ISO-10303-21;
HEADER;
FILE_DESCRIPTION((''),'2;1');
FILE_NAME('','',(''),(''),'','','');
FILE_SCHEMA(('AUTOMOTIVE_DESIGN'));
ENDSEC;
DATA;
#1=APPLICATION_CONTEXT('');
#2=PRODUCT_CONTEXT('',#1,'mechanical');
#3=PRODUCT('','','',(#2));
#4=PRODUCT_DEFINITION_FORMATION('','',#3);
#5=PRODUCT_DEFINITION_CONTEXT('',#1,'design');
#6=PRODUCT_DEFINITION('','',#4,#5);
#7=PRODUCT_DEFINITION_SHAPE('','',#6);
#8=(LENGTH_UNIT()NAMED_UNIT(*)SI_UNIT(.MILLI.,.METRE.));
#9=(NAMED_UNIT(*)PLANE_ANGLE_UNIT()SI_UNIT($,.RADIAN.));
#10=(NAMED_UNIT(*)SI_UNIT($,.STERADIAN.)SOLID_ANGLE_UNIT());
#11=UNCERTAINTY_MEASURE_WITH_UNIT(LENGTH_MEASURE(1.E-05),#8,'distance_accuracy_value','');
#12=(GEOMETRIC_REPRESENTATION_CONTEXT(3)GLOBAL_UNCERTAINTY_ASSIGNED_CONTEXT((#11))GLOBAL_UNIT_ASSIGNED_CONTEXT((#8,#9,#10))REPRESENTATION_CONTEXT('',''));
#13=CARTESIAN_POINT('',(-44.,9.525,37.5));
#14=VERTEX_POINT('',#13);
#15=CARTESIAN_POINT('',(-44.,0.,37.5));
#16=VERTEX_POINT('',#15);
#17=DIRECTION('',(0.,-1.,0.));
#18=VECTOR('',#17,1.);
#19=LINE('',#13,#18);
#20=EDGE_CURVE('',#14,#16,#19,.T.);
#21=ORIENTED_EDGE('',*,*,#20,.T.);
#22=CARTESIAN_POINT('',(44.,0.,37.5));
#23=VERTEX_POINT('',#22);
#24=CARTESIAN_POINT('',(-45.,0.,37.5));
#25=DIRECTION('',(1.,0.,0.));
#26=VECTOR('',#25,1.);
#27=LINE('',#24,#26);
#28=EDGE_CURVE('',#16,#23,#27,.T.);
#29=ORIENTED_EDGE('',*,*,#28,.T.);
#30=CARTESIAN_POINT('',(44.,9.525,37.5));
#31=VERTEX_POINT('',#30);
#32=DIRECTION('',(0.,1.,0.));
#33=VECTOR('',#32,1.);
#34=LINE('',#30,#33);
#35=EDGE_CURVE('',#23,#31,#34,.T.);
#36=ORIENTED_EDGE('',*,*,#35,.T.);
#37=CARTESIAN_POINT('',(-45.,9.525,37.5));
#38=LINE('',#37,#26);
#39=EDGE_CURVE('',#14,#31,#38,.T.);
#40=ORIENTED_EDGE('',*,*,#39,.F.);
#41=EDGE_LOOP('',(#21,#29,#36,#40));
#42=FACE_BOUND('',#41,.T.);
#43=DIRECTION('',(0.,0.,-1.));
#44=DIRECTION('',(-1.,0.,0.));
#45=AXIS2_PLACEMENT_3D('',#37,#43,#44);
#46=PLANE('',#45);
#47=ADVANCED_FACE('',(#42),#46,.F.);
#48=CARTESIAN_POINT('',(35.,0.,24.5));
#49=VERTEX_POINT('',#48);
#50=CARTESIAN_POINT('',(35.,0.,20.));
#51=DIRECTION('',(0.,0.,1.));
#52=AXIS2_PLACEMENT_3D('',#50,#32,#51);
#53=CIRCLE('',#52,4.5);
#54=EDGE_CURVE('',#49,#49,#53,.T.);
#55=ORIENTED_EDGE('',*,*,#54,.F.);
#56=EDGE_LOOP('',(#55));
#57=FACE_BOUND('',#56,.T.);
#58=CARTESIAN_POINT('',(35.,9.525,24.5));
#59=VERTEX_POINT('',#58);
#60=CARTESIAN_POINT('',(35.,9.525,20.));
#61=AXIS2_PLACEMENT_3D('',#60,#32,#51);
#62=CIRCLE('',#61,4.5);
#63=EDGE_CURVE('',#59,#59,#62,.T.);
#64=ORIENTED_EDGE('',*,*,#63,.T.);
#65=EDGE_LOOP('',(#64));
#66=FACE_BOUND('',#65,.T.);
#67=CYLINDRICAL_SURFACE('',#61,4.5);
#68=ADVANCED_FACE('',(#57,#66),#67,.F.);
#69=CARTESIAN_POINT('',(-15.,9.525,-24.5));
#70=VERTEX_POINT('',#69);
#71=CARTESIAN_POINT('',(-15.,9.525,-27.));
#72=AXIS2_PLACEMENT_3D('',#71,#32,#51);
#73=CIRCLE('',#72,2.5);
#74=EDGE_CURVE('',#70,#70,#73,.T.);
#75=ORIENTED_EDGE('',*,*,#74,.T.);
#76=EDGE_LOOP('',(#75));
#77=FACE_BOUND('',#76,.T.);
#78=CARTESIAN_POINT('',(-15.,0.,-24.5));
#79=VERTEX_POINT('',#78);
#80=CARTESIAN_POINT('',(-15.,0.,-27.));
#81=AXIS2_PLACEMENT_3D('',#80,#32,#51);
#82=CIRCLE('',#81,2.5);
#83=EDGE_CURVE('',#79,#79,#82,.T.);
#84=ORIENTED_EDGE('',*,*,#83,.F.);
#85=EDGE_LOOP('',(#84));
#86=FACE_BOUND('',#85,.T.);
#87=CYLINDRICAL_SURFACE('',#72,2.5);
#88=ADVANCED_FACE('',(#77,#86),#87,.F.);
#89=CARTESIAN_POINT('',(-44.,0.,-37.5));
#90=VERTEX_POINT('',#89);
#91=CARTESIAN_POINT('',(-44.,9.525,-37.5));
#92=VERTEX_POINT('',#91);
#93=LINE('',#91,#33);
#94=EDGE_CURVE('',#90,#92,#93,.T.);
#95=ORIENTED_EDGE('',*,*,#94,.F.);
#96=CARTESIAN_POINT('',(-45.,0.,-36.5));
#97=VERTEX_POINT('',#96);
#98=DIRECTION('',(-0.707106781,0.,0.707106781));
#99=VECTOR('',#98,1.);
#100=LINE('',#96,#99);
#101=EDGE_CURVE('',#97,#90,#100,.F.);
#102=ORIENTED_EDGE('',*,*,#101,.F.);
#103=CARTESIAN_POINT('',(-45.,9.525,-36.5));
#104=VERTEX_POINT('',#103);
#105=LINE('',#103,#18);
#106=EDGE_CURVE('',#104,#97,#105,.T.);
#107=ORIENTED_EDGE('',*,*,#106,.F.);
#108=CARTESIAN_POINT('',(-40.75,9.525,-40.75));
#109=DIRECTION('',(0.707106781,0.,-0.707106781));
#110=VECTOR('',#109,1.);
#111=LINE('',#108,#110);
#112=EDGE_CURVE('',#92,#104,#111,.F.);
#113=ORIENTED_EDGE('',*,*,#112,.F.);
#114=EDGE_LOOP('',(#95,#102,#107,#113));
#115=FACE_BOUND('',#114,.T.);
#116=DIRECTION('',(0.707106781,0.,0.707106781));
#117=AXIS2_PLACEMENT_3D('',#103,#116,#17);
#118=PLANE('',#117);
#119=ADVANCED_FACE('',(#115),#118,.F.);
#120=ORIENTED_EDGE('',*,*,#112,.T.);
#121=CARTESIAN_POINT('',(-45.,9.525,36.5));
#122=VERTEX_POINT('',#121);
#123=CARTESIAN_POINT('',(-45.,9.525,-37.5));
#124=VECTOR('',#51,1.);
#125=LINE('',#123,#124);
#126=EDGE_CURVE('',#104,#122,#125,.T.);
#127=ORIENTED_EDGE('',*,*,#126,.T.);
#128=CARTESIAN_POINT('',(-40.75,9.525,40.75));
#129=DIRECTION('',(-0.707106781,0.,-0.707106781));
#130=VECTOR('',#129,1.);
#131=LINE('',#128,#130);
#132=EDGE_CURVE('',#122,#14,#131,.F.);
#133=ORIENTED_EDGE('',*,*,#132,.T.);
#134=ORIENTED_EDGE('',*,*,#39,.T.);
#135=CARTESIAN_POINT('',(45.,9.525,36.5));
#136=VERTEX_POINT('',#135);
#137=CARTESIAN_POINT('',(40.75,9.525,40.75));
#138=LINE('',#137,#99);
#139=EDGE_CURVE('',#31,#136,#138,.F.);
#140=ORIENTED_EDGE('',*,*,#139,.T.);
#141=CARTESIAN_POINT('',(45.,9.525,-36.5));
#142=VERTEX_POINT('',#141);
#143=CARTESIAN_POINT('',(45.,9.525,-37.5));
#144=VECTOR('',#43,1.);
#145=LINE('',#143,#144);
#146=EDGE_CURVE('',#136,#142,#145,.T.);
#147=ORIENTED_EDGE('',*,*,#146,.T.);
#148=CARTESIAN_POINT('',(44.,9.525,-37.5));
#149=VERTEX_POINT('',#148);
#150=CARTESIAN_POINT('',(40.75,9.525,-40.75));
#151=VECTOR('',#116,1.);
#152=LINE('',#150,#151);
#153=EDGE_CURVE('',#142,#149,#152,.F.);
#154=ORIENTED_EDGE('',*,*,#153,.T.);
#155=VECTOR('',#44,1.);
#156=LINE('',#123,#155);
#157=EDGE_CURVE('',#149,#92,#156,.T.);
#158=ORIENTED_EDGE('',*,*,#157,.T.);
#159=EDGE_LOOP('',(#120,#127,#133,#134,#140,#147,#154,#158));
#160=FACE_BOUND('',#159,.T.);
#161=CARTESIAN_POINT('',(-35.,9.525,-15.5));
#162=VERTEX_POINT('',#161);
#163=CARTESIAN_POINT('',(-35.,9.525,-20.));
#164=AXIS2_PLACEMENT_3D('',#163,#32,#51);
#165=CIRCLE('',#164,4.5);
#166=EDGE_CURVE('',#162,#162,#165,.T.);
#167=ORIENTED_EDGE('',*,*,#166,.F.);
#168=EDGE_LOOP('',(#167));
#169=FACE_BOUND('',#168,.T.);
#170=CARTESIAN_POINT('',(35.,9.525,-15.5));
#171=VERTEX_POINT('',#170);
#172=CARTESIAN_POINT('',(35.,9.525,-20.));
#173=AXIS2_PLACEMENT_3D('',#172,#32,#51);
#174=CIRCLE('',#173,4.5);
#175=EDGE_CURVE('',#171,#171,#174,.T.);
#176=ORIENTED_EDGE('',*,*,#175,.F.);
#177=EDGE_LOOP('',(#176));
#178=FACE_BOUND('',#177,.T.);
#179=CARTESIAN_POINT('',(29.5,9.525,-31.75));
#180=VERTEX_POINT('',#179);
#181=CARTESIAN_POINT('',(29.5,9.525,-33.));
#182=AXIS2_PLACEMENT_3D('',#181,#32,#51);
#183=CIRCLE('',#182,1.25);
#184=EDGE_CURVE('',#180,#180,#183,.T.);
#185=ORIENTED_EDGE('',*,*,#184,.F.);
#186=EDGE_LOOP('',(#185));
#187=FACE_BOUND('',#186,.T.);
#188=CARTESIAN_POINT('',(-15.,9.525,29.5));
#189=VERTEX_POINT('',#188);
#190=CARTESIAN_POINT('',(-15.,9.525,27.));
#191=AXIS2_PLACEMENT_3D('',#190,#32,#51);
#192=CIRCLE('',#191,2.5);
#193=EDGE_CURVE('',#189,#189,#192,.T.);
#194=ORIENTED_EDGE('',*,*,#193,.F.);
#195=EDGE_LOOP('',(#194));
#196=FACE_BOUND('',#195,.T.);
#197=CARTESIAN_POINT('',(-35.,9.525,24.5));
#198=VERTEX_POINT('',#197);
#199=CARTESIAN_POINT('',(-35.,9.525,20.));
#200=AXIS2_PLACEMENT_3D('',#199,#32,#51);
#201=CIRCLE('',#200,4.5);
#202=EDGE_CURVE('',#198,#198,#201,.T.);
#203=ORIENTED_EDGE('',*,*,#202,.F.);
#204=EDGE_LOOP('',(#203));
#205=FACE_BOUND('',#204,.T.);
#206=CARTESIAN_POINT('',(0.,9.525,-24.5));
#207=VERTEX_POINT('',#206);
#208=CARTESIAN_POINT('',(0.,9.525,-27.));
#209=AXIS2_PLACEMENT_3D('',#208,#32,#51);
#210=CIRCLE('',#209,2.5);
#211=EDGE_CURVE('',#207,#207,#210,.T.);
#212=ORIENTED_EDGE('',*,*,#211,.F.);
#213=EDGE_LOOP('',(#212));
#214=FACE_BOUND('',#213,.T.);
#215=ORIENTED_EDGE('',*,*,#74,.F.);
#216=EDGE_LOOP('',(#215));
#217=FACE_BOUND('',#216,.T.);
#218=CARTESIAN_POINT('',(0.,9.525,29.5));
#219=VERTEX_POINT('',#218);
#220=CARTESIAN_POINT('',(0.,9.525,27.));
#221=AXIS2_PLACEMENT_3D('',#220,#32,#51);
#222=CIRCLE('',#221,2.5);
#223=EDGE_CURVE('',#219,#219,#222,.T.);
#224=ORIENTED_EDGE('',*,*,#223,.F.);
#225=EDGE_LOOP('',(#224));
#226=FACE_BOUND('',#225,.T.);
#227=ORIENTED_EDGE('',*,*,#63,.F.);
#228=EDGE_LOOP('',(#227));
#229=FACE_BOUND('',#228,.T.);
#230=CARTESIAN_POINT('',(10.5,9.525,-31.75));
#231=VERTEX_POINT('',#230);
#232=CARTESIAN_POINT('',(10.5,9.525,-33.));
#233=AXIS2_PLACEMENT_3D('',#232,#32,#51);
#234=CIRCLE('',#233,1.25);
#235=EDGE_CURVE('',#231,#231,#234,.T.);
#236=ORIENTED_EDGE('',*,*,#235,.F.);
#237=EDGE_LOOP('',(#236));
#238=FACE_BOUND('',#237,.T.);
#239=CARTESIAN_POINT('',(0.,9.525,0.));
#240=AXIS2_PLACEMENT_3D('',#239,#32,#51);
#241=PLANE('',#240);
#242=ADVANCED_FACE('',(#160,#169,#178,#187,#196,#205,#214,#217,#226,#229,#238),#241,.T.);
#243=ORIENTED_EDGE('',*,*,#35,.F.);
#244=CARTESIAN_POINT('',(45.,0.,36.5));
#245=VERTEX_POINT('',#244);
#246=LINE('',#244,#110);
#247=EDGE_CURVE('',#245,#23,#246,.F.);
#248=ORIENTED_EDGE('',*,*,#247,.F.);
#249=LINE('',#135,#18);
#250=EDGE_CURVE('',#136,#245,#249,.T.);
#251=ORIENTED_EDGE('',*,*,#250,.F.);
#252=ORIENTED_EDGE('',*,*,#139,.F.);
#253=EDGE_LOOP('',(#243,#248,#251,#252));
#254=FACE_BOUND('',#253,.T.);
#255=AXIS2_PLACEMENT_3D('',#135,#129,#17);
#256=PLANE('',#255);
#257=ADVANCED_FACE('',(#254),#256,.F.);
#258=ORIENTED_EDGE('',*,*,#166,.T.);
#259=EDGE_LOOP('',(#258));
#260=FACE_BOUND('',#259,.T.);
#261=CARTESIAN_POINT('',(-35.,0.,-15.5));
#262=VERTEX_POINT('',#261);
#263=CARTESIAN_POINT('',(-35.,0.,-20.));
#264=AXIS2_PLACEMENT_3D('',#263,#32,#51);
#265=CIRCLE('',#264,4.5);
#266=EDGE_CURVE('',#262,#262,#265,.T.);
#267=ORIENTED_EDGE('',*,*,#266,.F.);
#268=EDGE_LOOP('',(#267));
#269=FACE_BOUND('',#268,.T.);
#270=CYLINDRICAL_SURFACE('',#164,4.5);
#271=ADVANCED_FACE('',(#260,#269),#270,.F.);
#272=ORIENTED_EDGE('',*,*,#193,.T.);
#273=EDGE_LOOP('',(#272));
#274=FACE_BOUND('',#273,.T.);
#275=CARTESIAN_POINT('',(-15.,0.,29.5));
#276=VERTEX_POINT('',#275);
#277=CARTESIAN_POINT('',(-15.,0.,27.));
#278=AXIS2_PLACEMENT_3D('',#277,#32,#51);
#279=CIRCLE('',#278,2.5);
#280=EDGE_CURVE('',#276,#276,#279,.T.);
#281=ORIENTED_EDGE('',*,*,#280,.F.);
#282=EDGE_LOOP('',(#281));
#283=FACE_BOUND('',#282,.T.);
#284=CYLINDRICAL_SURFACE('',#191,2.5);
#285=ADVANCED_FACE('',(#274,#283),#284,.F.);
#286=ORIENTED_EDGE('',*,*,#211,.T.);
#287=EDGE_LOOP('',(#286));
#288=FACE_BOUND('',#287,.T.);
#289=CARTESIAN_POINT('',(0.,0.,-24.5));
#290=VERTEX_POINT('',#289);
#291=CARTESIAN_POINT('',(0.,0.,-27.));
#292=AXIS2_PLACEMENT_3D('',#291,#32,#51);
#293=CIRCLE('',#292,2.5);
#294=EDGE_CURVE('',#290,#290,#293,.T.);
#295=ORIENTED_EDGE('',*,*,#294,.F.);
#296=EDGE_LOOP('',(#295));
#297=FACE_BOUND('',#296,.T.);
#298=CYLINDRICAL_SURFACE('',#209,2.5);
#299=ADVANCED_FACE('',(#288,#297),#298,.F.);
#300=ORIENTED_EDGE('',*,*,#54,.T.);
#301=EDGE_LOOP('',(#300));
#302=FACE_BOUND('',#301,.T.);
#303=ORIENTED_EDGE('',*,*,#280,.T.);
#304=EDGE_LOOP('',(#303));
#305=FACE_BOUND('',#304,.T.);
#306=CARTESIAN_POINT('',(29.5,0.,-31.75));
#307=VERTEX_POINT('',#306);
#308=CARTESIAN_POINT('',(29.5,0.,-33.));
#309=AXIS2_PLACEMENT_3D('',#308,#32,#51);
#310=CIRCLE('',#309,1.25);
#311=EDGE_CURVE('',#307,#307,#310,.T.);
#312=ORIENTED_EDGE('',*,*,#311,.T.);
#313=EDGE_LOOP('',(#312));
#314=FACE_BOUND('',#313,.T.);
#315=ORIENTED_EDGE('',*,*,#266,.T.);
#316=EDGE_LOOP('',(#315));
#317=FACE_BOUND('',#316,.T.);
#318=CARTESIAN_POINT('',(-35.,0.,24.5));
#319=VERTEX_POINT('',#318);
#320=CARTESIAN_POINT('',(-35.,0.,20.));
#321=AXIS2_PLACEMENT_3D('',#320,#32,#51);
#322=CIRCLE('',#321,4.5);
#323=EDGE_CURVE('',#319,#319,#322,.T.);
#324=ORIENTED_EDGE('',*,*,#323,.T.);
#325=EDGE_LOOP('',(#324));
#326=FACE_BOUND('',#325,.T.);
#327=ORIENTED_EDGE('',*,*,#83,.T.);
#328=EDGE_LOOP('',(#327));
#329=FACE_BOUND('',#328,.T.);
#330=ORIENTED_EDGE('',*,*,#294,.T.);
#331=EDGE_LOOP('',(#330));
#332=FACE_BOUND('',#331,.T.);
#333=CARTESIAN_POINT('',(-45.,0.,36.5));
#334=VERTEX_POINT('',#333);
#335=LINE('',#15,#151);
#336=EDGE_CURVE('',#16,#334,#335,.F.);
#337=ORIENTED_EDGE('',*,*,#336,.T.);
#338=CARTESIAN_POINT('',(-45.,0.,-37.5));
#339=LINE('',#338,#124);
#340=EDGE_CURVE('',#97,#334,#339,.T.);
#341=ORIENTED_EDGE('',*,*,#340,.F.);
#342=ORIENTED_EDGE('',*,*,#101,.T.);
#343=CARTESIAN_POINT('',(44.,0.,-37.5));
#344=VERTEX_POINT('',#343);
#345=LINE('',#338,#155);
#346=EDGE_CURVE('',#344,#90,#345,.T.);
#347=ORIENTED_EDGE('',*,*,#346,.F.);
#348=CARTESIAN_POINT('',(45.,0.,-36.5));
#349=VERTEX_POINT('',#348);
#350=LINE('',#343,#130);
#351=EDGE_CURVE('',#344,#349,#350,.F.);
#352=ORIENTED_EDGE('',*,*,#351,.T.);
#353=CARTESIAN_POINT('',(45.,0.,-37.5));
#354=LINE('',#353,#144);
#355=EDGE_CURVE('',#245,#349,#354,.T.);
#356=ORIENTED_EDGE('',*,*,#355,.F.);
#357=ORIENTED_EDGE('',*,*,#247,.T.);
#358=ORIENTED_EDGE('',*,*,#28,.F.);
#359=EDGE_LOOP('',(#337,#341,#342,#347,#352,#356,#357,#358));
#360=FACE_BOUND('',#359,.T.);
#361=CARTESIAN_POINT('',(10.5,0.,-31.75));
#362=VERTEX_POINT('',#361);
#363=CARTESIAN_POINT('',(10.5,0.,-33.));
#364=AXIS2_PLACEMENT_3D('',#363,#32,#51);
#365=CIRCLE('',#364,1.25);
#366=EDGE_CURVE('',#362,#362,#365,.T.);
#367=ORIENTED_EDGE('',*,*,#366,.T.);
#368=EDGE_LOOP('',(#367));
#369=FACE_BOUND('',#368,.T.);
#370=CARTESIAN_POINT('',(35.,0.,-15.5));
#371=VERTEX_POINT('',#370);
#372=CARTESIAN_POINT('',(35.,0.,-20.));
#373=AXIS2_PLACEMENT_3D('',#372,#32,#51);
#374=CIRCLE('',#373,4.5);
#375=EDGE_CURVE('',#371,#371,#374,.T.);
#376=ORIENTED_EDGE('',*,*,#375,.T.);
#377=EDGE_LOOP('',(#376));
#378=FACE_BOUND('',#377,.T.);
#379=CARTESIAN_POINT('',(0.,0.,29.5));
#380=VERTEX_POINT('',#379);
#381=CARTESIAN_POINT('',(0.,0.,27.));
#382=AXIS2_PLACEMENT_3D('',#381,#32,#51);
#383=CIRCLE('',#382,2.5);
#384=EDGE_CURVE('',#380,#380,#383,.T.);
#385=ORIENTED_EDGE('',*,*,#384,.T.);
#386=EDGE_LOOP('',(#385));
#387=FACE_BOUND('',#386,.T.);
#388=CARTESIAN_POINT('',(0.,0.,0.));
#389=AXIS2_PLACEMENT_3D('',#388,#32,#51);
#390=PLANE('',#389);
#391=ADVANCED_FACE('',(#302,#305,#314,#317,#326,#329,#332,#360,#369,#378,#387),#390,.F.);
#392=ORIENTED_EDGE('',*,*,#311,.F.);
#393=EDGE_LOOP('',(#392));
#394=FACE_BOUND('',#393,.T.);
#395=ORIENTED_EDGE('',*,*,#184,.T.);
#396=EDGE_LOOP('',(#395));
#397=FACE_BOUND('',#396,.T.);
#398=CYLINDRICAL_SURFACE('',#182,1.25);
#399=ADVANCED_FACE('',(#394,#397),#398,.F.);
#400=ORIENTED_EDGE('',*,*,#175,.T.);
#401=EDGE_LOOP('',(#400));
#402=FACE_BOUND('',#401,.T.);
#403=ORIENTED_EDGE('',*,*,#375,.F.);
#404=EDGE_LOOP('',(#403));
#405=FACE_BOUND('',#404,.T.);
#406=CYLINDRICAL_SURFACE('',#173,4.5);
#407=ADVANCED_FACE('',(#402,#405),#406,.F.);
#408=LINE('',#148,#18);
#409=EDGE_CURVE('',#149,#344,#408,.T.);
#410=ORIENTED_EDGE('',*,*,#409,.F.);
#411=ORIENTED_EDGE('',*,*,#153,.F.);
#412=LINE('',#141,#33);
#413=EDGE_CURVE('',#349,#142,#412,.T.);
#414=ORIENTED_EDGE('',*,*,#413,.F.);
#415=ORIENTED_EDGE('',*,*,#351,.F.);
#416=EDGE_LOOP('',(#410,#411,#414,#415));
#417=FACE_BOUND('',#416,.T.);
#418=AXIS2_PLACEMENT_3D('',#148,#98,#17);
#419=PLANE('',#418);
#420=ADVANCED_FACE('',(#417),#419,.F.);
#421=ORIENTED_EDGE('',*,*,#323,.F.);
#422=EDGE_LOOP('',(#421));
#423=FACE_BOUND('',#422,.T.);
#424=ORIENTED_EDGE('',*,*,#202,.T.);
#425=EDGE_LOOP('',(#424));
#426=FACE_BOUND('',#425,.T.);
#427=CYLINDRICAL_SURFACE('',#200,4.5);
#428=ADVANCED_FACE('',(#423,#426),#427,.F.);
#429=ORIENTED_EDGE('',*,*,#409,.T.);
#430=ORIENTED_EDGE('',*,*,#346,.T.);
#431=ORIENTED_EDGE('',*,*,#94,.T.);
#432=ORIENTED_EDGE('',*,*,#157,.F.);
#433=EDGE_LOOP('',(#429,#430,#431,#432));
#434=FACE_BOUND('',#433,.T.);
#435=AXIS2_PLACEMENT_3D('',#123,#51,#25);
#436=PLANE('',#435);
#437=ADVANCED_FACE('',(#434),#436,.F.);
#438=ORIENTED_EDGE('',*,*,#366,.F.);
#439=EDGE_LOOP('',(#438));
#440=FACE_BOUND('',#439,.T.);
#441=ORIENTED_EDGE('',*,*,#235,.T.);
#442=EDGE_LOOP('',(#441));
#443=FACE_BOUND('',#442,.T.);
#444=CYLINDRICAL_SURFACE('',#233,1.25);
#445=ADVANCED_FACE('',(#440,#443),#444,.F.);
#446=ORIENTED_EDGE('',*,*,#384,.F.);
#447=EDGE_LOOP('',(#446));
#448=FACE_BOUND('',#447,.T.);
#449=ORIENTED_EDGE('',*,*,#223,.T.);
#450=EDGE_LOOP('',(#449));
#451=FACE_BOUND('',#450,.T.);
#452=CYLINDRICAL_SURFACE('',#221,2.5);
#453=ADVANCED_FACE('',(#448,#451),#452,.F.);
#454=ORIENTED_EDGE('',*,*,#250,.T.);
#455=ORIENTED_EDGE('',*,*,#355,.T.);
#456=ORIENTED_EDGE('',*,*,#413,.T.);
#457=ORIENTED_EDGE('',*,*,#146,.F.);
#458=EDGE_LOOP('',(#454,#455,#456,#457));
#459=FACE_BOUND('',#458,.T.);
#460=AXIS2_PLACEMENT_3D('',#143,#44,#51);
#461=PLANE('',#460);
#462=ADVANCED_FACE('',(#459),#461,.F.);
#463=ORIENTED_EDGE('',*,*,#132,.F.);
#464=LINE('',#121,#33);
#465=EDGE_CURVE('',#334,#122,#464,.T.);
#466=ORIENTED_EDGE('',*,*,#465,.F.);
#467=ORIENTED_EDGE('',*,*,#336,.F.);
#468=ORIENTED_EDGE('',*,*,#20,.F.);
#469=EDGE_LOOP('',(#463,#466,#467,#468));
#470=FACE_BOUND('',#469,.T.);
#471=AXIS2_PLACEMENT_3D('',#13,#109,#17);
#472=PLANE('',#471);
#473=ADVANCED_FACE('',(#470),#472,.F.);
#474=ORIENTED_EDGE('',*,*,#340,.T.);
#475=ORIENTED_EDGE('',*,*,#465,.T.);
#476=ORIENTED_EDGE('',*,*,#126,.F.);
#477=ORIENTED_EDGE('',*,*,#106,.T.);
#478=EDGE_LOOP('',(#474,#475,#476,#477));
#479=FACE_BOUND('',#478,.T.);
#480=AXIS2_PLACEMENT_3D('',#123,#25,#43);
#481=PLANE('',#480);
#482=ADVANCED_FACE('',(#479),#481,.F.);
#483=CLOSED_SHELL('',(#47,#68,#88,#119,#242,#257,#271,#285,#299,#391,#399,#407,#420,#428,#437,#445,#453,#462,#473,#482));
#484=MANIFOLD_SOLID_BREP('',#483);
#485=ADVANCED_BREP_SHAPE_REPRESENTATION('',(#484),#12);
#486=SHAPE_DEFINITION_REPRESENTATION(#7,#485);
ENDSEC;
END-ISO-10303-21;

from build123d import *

# Parameters (mm, degrees)
SKETCH1_W                   = 90
SKETCH1_H                   = 75
BOSS_EXTRUDE1_DEPTH         = 9.525
M8_CLEARANCE_HOLE1_D        = 9
FIXED_M6X1_0_TAPPED_HOLE1_D = 5
M3X0_5_TAPPED_HOLE1_D       = 2.5
CHAMFER1_SIZE               = 1


with BuildPart() as part:
    # Sketch1 → Boss-Extrude1 (new body)
    with BuildSketch(Plane(origin=(0, 0, 0), x_dir=(1, 0, 0), z_dir=(0, 1, 0))):
        Rectangle(SKETCH1_W, SKETCH1_H)
    extrude(amount=BOSS_EXTRUDE1_DEPTH)

    # M8 Clearance Hole1 (through all)
    with Locations(Plane(origin=(0, 9.525, 0), x_dir=(1, 0, 0), z_dir=(0, 1, 0))):
        with Locations((-35, 20), (35, 20), (35, -20), (-35, -20)):
            Hole(M8_CLEARANCE_HOLE1_D / 2)

    # Fixed M6x1.0 Tapped Hole1 (through all)
    with Locations(Plane(origin=(0, 9.525, 0), x_dir=(1, 0, 0), z_dir=(0, 1, 0))):
        with Locations((-15, 27), (0, 27), (0, -27), (-15, -27)):
            Hole(FIXED_M6X1_0_TAPPED_HOLE1_D / 2)

    # M3x0.5 Tapped Hole1 (through all)
    with Locations(Plane(origin=(0, 9.525, 0), x_dir=(1, 0, 0), z_dir=(0, 1, 0))):
        with Locations((10.5, 33), (29.5, 33)):
            Hole(M3X0_5_TAPPED_HOLE1_D / 2)

    # Chamfer1
    chamfer1_edges = [part.edges().sort_by_distance(p)[0] for p in [
        (45, 4.7625, 37.5),
        (-45, 4.7625, 37.5),
        (-45, 4.7625, -37.5),
        (45, 4.7625, -37.5),
    ]]
    chamfer(chamfer1_edges, length=CHAMFER1_SIZE)


solid = part.part
